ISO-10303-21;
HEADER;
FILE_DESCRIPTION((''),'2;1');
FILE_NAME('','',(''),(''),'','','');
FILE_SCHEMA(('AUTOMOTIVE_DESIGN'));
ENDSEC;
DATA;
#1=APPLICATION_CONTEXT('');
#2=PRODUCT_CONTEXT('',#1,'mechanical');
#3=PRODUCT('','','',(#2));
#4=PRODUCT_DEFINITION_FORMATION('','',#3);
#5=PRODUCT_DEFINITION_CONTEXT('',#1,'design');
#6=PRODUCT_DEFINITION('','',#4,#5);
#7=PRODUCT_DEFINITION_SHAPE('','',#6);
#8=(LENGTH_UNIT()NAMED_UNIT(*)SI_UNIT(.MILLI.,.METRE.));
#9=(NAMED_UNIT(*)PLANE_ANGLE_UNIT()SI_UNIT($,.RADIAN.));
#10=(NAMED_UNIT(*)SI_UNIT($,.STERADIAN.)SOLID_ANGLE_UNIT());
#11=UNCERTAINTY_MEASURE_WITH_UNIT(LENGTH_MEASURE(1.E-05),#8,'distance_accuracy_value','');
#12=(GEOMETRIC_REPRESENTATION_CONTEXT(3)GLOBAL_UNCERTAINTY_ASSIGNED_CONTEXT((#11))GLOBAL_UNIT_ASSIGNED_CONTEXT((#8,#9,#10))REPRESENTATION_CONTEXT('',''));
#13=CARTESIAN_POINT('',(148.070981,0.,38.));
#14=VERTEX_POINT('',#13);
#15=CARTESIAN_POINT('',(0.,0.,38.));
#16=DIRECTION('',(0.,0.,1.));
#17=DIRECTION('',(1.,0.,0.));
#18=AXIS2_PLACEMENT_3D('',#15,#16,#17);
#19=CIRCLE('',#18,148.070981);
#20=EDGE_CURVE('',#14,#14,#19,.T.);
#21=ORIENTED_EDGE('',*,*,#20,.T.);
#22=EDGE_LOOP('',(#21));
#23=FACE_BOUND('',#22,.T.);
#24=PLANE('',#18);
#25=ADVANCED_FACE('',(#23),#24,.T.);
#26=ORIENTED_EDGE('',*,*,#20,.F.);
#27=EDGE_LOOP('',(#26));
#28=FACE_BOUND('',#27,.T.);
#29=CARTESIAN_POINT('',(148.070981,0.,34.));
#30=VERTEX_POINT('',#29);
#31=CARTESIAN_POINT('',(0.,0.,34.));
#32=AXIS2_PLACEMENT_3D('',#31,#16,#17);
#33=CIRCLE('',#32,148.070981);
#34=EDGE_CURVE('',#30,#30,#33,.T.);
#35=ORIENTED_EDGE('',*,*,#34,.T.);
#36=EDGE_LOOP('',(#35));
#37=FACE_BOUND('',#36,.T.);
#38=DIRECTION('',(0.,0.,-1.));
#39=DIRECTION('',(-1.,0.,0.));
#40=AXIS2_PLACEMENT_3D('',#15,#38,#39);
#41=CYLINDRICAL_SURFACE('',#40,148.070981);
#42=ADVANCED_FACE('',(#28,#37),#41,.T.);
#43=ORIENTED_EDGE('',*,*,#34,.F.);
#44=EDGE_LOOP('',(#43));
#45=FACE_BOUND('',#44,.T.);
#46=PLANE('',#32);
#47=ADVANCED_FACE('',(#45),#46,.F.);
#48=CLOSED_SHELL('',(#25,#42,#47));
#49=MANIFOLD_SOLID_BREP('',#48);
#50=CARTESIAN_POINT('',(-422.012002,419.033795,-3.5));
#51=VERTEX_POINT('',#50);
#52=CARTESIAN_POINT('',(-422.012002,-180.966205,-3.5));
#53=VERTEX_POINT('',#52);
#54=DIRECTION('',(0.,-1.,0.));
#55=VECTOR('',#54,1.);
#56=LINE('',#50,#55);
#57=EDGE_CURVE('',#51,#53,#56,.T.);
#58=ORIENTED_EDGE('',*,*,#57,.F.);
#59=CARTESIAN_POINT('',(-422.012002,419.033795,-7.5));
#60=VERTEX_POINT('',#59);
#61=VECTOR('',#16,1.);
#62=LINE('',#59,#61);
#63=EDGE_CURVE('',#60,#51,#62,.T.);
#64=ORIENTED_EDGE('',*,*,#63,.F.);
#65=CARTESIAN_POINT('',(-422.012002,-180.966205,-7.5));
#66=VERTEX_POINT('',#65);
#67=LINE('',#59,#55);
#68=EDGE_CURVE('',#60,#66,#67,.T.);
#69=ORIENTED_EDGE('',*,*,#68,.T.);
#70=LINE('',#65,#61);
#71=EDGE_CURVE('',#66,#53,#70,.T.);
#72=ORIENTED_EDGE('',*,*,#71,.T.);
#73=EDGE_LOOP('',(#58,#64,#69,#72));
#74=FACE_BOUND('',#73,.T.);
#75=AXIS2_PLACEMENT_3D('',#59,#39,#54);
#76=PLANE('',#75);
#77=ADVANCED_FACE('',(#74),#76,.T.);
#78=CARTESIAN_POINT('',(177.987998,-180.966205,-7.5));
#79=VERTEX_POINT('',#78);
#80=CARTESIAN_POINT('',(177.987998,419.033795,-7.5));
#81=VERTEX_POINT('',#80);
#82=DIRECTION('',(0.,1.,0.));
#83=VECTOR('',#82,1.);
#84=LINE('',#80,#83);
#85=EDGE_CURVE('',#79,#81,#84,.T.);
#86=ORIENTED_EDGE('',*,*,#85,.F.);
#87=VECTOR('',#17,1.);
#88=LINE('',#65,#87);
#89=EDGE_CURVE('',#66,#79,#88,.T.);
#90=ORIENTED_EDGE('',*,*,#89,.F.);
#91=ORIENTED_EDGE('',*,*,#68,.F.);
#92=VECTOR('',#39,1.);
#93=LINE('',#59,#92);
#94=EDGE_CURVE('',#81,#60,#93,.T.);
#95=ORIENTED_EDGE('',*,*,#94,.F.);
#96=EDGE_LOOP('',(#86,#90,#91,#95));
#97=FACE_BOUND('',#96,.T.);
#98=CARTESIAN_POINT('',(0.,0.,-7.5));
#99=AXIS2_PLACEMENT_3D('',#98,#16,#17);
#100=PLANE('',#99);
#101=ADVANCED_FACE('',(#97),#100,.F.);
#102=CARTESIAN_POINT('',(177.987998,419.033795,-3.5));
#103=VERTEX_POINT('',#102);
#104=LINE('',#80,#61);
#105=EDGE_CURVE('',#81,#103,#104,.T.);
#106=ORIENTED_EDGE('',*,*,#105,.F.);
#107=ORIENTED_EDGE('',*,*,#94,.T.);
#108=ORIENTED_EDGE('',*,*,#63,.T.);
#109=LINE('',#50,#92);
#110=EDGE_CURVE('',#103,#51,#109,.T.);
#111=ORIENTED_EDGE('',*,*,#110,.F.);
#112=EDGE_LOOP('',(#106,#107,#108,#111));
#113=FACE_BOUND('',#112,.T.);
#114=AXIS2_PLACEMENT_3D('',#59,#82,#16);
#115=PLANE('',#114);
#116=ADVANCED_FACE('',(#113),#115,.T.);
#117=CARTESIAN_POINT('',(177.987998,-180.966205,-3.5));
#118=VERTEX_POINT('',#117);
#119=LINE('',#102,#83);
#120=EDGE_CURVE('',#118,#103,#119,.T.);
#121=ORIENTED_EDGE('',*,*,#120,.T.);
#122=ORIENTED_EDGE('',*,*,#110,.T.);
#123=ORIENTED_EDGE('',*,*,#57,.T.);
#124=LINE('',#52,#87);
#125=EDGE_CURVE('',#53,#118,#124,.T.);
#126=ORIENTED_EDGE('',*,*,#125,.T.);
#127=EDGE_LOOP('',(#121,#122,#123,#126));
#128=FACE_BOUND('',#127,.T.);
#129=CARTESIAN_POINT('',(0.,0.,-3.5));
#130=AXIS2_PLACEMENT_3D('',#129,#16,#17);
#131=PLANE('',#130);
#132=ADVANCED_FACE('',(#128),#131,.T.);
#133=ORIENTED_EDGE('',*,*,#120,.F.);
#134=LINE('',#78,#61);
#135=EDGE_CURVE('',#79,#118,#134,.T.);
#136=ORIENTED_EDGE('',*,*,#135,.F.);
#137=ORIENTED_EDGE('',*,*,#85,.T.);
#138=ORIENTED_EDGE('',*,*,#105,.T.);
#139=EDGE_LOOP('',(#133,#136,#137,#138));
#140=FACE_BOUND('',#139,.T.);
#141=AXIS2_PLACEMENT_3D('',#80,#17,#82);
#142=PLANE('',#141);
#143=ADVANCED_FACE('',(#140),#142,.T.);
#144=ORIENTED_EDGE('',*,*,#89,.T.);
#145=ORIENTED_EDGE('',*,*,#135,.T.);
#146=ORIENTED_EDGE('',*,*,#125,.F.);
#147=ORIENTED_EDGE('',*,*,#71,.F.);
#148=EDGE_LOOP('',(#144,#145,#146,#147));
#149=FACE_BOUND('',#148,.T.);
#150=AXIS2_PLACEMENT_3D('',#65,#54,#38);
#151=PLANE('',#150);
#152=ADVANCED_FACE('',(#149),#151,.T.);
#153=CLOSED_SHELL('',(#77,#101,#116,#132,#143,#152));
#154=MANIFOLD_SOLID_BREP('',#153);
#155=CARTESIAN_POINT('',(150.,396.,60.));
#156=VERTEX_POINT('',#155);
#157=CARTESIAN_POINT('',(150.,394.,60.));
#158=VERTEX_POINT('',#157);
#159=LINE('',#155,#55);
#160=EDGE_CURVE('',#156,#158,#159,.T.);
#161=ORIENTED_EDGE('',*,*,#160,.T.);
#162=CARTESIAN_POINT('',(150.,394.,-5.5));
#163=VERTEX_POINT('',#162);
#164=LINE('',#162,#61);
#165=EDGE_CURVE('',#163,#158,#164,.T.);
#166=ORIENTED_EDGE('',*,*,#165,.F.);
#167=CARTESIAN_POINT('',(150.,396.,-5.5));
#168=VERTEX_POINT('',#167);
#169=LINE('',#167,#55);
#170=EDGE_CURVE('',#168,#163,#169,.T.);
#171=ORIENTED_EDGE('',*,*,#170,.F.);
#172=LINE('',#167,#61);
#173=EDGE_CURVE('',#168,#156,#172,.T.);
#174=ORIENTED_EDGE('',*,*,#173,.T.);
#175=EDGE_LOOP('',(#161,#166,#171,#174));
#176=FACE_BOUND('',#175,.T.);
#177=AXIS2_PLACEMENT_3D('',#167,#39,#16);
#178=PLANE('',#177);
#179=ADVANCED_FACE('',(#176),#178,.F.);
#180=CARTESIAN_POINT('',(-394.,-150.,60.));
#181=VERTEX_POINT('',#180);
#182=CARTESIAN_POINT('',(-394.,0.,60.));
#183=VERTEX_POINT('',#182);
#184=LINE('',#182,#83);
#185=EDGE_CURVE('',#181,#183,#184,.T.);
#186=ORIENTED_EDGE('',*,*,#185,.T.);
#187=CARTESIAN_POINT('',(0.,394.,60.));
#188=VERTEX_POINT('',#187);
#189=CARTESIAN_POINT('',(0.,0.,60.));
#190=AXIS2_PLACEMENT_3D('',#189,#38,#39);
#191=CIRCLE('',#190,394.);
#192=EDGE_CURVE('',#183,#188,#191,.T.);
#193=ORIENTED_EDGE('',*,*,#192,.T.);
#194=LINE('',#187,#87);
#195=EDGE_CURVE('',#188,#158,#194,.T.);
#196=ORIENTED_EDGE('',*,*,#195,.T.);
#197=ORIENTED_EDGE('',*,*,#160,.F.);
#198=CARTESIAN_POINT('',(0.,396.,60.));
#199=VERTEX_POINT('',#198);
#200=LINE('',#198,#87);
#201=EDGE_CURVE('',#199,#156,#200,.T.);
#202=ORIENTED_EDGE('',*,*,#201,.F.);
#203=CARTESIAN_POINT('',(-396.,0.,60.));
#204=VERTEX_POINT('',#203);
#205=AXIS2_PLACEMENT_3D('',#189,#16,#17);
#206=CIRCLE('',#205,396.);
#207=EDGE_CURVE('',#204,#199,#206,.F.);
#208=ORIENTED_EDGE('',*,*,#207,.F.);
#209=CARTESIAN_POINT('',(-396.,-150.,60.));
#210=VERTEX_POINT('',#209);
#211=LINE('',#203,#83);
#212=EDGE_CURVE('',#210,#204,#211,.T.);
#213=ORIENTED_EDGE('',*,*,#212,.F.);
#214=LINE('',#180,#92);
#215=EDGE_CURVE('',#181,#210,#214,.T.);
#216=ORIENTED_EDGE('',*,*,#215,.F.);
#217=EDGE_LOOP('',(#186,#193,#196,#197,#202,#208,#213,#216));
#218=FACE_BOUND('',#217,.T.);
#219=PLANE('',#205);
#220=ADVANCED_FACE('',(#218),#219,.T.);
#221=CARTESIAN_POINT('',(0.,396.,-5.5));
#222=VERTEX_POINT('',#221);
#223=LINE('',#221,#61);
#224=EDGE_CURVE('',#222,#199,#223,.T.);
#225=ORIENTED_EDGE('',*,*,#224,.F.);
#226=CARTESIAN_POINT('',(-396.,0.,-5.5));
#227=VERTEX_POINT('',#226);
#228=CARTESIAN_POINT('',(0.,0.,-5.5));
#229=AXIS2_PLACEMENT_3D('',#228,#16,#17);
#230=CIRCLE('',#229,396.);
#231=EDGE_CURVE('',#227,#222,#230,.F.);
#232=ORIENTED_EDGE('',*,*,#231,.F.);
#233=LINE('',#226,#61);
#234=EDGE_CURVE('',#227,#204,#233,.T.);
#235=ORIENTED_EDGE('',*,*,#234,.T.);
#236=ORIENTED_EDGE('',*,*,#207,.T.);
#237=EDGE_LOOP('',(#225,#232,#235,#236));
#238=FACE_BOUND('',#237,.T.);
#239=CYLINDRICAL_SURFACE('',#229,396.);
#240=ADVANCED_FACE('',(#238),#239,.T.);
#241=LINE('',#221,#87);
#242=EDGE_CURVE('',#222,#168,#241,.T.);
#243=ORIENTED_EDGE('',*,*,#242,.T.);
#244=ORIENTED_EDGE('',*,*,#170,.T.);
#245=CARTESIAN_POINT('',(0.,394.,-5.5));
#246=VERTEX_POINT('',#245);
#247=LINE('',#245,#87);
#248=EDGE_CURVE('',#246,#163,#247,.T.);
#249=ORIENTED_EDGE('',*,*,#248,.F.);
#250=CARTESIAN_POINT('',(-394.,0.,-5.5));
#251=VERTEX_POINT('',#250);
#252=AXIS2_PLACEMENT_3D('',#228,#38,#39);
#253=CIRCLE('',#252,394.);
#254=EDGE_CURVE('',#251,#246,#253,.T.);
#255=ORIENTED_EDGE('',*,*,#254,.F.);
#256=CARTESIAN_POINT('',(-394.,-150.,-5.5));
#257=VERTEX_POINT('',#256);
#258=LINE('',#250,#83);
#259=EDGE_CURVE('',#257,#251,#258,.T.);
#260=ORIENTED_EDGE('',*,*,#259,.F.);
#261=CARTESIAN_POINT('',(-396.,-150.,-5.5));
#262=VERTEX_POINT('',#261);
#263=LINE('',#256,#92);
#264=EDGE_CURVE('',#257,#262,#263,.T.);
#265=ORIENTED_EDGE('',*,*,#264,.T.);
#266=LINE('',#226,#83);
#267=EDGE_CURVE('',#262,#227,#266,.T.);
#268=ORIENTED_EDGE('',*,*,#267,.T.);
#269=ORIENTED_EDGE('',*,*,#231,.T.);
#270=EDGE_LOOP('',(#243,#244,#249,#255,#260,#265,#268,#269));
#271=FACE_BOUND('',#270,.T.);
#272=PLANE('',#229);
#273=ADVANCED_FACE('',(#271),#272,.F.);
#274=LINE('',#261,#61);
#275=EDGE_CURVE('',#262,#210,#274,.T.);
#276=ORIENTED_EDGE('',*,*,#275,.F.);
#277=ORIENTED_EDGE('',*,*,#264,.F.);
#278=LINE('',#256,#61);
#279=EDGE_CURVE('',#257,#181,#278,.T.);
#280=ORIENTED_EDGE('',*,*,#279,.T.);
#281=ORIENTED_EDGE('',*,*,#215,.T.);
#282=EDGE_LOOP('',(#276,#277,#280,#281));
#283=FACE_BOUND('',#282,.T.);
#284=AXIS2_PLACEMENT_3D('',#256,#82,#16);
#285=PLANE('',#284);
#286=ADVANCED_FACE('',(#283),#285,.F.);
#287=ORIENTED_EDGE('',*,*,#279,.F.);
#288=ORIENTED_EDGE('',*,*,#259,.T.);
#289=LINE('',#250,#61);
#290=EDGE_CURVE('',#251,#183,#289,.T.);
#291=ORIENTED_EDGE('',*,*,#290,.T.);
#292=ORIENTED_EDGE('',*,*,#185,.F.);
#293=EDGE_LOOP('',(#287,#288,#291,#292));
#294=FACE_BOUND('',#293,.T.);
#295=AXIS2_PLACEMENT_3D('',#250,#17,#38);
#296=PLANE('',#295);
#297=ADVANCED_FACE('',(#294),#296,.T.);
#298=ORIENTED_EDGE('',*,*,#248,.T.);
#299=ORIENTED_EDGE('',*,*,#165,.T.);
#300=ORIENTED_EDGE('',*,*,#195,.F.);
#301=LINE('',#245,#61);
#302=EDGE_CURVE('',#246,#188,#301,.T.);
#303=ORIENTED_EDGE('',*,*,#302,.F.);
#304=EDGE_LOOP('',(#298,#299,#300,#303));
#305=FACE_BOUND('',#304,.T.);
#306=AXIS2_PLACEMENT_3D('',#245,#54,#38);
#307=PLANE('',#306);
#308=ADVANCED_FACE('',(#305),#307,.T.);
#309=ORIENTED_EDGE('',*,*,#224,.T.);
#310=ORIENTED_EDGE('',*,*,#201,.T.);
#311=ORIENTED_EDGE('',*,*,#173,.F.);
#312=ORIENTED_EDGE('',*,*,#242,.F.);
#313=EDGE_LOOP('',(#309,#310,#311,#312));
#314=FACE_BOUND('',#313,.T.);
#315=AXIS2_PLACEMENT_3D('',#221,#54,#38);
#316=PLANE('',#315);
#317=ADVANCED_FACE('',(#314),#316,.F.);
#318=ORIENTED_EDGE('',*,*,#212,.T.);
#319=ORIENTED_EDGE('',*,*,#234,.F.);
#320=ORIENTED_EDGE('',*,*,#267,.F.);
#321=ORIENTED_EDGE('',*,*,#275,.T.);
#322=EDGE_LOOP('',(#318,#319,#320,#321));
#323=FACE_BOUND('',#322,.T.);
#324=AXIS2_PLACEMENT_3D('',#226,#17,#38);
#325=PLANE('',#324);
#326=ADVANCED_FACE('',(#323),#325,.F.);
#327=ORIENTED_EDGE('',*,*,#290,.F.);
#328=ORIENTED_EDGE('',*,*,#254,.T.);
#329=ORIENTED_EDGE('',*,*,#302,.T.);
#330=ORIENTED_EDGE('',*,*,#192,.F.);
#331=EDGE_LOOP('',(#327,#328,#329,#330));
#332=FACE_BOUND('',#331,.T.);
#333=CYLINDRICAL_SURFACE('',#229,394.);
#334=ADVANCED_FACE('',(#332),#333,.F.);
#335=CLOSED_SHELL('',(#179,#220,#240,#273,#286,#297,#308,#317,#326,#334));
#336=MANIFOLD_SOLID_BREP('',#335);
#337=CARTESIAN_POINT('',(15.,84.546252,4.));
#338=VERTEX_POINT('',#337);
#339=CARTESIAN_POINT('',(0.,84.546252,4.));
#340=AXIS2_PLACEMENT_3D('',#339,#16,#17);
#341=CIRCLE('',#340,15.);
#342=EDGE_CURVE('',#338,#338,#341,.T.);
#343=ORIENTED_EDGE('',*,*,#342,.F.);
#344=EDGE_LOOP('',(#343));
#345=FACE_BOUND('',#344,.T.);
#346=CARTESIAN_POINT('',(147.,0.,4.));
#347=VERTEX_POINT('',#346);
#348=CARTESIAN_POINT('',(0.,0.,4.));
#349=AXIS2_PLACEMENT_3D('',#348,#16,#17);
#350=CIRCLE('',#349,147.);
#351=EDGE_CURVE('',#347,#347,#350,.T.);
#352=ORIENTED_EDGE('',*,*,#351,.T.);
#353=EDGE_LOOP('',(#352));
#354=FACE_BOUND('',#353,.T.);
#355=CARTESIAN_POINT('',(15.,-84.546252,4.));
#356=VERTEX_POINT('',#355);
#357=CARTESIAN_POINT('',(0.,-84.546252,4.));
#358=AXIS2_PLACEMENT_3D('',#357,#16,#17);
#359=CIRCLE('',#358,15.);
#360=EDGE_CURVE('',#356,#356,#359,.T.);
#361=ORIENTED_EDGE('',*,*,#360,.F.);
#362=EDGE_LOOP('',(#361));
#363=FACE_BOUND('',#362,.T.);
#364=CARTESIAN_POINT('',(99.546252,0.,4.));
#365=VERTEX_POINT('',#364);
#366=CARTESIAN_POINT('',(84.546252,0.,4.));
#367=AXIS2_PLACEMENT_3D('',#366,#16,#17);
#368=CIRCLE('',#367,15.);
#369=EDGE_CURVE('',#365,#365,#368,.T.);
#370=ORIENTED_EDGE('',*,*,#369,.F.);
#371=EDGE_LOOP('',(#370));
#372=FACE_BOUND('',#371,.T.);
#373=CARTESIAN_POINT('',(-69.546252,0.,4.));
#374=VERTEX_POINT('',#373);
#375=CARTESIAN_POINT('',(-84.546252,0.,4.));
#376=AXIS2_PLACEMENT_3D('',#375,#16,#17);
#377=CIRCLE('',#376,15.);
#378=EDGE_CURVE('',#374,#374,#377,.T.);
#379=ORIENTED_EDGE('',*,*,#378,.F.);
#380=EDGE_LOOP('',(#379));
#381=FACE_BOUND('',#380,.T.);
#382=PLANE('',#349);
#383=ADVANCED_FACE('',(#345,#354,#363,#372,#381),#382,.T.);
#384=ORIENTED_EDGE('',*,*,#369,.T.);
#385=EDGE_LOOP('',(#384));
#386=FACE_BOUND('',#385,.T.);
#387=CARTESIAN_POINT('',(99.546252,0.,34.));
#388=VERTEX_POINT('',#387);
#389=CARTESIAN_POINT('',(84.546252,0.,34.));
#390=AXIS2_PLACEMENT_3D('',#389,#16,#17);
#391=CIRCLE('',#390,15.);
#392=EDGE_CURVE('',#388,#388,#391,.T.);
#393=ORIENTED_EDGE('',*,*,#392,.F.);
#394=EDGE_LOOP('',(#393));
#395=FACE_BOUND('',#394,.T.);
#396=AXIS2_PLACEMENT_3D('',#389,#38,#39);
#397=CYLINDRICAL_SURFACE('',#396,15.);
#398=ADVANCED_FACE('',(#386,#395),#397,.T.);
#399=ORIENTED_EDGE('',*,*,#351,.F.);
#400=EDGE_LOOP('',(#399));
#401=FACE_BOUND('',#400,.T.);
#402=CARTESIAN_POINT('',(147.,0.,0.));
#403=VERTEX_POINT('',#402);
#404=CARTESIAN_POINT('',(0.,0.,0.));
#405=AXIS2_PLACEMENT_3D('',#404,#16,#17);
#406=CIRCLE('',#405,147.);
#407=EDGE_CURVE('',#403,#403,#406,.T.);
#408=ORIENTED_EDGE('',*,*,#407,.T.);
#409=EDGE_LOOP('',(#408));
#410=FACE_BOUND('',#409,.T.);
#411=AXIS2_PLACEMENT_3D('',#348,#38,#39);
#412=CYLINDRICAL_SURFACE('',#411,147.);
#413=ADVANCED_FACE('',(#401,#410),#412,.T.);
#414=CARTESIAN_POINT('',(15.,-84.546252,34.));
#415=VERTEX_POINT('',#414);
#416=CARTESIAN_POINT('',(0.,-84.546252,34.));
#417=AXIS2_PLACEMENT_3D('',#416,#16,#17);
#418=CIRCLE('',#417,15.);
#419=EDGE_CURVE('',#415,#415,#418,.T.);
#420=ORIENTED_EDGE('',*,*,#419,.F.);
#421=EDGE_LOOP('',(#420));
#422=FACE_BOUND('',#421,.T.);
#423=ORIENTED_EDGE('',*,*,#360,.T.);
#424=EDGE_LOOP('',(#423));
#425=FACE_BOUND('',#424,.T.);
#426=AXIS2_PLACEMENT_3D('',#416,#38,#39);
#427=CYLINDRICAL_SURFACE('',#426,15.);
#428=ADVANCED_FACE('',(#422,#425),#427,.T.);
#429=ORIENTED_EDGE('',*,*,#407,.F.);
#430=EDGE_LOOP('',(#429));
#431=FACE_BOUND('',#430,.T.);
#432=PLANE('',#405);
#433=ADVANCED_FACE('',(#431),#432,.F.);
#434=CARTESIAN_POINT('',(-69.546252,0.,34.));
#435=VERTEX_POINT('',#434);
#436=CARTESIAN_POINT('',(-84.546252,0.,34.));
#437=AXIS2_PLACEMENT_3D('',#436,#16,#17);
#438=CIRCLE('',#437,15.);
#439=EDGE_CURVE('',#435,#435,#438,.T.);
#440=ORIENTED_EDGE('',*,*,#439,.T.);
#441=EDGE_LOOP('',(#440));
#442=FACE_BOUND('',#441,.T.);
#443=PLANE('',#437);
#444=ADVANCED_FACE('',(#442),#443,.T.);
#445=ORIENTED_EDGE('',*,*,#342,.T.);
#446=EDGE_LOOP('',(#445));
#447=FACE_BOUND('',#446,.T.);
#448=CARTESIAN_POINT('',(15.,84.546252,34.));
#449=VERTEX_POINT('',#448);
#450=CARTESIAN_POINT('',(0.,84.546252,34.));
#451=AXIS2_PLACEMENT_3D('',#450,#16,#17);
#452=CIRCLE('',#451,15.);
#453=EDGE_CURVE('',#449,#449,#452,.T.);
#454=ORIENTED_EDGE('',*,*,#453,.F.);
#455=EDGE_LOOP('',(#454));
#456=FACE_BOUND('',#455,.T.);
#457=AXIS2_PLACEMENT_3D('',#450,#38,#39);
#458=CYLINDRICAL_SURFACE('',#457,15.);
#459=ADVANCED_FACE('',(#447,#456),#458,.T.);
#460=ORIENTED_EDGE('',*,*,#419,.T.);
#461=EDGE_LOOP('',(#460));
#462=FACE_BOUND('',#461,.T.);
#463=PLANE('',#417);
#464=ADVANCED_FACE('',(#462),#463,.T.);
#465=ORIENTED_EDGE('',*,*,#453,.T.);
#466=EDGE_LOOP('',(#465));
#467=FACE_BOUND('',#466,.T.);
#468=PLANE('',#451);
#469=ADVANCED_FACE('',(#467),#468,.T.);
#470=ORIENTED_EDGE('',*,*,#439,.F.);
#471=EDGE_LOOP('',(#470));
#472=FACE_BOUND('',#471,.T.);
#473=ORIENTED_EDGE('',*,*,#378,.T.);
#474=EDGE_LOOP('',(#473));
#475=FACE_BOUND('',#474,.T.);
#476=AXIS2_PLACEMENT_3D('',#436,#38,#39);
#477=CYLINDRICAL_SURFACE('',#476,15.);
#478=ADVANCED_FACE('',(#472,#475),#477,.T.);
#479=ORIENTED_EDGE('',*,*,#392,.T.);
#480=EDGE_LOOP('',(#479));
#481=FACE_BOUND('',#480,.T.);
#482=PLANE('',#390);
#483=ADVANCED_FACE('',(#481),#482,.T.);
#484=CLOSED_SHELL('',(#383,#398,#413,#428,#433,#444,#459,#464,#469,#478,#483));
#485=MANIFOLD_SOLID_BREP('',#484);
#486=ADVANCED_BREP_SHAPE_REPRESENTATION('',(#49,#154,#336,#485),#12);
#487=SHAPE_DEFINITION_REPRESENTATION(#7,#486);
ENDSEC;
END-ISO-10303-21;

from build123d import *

# Parameters (mm, degrees)
SKETCH1_R                = 147
BOSS_EXTRUDE1_DEPTH      = 4
EXTRUDE_THIN1_DEPTH      = 60
EXTRUDE_THIN1_DEPTH_BACK = 5.5
SKETCH2_R                = 148.070981451
BOSS_EXTRUDE2_DEPTH      = 4
SKETCH3_R                = 15
BOSS_EXTRUDE3_DEPTH      = 30
SKETCH5_W                = 600
SKETCH5_H                = 600
BOSS_EXTRUDE5_DEPTH      = 4


with BuildPart() as part:
    # Sketch1 → Boss-Extrude1 (new body)
    with BuildSketch(Plane.XY):
        Circle(SKETCH1_R)
    extrude(amount=BOSS_EXTRUDE1_DEPTH)

    # Sketch3 → Boss-Extrude3 (add)
    with BuildSketch(Plane.XY.offset(4)):
        with Locations((0, 84.546251692)):
            Circle(SKETCH3_R)
        with Locations((84.546251692, 0)):
            Circle(SKETCH3_R)
        with Locations((0, -84.546251692)):
            Circle(SKETCH3_R)
        with Locations((-84.546251692, 0)):
            Circle(SKETCH3_R)
    extrude(amount=BOSS_EXTRUDE3_DEPTH)


with BuildPart() as body_2:
    # Sketch1<4> → Extrude-Thin1 (new, two sides: drawn at the far end of the back side and taken through both)
    with BuildSketch(Plane.XY.offset(-EXTRUDE_THIN1_DEPTH_BACK)):
        with BuildLine():
            Line((150, 394), (0, 394))
            ThreePointArc((0, 394), (-278.600071787, 278.600071787), (-394, 0))
            Line((-394, 0), (-394, -150))
            Line((-394, -150), (-396, -150))
            Line((-396, -150), (-396, 0))
            ThreePointArc((-396, 0), (-280.01428535, 280.01428535), (0, 396))
            Line((0, 396), (150, 396))
            Line((150, 396), (150, 394))
        make_face()
    extrude(amount=EXTRUDE_THIN1_DEPTH + EXTRUDE_THIN1_DEPTH_BACK)


with BuildPart() as body_3:
    # Sketch2 → Boss-Extrude2 (new body)
    with BuildSketch(Plane.XY.offset(34)):
        Circle(SKETCH2_R)
    extrude(amount=BOSS_EXTRUDE2_DEPTH)


with BuildPart() as body_4:
    # Sketch5 → Boss-Extrude5 (new body)
    with BuildSketch(Plane.XY.offset(-3.5)):
        with Locations((-122.012002147, 119.033794954)):
            Rectangle(SKETCH5_W, SKETCH5_H)
    extrude(amount=-BOSS_EXTRUDE5_DEPTH)


solid = Compound([part.part, body_2.part, body_3.part, body_4.part])
